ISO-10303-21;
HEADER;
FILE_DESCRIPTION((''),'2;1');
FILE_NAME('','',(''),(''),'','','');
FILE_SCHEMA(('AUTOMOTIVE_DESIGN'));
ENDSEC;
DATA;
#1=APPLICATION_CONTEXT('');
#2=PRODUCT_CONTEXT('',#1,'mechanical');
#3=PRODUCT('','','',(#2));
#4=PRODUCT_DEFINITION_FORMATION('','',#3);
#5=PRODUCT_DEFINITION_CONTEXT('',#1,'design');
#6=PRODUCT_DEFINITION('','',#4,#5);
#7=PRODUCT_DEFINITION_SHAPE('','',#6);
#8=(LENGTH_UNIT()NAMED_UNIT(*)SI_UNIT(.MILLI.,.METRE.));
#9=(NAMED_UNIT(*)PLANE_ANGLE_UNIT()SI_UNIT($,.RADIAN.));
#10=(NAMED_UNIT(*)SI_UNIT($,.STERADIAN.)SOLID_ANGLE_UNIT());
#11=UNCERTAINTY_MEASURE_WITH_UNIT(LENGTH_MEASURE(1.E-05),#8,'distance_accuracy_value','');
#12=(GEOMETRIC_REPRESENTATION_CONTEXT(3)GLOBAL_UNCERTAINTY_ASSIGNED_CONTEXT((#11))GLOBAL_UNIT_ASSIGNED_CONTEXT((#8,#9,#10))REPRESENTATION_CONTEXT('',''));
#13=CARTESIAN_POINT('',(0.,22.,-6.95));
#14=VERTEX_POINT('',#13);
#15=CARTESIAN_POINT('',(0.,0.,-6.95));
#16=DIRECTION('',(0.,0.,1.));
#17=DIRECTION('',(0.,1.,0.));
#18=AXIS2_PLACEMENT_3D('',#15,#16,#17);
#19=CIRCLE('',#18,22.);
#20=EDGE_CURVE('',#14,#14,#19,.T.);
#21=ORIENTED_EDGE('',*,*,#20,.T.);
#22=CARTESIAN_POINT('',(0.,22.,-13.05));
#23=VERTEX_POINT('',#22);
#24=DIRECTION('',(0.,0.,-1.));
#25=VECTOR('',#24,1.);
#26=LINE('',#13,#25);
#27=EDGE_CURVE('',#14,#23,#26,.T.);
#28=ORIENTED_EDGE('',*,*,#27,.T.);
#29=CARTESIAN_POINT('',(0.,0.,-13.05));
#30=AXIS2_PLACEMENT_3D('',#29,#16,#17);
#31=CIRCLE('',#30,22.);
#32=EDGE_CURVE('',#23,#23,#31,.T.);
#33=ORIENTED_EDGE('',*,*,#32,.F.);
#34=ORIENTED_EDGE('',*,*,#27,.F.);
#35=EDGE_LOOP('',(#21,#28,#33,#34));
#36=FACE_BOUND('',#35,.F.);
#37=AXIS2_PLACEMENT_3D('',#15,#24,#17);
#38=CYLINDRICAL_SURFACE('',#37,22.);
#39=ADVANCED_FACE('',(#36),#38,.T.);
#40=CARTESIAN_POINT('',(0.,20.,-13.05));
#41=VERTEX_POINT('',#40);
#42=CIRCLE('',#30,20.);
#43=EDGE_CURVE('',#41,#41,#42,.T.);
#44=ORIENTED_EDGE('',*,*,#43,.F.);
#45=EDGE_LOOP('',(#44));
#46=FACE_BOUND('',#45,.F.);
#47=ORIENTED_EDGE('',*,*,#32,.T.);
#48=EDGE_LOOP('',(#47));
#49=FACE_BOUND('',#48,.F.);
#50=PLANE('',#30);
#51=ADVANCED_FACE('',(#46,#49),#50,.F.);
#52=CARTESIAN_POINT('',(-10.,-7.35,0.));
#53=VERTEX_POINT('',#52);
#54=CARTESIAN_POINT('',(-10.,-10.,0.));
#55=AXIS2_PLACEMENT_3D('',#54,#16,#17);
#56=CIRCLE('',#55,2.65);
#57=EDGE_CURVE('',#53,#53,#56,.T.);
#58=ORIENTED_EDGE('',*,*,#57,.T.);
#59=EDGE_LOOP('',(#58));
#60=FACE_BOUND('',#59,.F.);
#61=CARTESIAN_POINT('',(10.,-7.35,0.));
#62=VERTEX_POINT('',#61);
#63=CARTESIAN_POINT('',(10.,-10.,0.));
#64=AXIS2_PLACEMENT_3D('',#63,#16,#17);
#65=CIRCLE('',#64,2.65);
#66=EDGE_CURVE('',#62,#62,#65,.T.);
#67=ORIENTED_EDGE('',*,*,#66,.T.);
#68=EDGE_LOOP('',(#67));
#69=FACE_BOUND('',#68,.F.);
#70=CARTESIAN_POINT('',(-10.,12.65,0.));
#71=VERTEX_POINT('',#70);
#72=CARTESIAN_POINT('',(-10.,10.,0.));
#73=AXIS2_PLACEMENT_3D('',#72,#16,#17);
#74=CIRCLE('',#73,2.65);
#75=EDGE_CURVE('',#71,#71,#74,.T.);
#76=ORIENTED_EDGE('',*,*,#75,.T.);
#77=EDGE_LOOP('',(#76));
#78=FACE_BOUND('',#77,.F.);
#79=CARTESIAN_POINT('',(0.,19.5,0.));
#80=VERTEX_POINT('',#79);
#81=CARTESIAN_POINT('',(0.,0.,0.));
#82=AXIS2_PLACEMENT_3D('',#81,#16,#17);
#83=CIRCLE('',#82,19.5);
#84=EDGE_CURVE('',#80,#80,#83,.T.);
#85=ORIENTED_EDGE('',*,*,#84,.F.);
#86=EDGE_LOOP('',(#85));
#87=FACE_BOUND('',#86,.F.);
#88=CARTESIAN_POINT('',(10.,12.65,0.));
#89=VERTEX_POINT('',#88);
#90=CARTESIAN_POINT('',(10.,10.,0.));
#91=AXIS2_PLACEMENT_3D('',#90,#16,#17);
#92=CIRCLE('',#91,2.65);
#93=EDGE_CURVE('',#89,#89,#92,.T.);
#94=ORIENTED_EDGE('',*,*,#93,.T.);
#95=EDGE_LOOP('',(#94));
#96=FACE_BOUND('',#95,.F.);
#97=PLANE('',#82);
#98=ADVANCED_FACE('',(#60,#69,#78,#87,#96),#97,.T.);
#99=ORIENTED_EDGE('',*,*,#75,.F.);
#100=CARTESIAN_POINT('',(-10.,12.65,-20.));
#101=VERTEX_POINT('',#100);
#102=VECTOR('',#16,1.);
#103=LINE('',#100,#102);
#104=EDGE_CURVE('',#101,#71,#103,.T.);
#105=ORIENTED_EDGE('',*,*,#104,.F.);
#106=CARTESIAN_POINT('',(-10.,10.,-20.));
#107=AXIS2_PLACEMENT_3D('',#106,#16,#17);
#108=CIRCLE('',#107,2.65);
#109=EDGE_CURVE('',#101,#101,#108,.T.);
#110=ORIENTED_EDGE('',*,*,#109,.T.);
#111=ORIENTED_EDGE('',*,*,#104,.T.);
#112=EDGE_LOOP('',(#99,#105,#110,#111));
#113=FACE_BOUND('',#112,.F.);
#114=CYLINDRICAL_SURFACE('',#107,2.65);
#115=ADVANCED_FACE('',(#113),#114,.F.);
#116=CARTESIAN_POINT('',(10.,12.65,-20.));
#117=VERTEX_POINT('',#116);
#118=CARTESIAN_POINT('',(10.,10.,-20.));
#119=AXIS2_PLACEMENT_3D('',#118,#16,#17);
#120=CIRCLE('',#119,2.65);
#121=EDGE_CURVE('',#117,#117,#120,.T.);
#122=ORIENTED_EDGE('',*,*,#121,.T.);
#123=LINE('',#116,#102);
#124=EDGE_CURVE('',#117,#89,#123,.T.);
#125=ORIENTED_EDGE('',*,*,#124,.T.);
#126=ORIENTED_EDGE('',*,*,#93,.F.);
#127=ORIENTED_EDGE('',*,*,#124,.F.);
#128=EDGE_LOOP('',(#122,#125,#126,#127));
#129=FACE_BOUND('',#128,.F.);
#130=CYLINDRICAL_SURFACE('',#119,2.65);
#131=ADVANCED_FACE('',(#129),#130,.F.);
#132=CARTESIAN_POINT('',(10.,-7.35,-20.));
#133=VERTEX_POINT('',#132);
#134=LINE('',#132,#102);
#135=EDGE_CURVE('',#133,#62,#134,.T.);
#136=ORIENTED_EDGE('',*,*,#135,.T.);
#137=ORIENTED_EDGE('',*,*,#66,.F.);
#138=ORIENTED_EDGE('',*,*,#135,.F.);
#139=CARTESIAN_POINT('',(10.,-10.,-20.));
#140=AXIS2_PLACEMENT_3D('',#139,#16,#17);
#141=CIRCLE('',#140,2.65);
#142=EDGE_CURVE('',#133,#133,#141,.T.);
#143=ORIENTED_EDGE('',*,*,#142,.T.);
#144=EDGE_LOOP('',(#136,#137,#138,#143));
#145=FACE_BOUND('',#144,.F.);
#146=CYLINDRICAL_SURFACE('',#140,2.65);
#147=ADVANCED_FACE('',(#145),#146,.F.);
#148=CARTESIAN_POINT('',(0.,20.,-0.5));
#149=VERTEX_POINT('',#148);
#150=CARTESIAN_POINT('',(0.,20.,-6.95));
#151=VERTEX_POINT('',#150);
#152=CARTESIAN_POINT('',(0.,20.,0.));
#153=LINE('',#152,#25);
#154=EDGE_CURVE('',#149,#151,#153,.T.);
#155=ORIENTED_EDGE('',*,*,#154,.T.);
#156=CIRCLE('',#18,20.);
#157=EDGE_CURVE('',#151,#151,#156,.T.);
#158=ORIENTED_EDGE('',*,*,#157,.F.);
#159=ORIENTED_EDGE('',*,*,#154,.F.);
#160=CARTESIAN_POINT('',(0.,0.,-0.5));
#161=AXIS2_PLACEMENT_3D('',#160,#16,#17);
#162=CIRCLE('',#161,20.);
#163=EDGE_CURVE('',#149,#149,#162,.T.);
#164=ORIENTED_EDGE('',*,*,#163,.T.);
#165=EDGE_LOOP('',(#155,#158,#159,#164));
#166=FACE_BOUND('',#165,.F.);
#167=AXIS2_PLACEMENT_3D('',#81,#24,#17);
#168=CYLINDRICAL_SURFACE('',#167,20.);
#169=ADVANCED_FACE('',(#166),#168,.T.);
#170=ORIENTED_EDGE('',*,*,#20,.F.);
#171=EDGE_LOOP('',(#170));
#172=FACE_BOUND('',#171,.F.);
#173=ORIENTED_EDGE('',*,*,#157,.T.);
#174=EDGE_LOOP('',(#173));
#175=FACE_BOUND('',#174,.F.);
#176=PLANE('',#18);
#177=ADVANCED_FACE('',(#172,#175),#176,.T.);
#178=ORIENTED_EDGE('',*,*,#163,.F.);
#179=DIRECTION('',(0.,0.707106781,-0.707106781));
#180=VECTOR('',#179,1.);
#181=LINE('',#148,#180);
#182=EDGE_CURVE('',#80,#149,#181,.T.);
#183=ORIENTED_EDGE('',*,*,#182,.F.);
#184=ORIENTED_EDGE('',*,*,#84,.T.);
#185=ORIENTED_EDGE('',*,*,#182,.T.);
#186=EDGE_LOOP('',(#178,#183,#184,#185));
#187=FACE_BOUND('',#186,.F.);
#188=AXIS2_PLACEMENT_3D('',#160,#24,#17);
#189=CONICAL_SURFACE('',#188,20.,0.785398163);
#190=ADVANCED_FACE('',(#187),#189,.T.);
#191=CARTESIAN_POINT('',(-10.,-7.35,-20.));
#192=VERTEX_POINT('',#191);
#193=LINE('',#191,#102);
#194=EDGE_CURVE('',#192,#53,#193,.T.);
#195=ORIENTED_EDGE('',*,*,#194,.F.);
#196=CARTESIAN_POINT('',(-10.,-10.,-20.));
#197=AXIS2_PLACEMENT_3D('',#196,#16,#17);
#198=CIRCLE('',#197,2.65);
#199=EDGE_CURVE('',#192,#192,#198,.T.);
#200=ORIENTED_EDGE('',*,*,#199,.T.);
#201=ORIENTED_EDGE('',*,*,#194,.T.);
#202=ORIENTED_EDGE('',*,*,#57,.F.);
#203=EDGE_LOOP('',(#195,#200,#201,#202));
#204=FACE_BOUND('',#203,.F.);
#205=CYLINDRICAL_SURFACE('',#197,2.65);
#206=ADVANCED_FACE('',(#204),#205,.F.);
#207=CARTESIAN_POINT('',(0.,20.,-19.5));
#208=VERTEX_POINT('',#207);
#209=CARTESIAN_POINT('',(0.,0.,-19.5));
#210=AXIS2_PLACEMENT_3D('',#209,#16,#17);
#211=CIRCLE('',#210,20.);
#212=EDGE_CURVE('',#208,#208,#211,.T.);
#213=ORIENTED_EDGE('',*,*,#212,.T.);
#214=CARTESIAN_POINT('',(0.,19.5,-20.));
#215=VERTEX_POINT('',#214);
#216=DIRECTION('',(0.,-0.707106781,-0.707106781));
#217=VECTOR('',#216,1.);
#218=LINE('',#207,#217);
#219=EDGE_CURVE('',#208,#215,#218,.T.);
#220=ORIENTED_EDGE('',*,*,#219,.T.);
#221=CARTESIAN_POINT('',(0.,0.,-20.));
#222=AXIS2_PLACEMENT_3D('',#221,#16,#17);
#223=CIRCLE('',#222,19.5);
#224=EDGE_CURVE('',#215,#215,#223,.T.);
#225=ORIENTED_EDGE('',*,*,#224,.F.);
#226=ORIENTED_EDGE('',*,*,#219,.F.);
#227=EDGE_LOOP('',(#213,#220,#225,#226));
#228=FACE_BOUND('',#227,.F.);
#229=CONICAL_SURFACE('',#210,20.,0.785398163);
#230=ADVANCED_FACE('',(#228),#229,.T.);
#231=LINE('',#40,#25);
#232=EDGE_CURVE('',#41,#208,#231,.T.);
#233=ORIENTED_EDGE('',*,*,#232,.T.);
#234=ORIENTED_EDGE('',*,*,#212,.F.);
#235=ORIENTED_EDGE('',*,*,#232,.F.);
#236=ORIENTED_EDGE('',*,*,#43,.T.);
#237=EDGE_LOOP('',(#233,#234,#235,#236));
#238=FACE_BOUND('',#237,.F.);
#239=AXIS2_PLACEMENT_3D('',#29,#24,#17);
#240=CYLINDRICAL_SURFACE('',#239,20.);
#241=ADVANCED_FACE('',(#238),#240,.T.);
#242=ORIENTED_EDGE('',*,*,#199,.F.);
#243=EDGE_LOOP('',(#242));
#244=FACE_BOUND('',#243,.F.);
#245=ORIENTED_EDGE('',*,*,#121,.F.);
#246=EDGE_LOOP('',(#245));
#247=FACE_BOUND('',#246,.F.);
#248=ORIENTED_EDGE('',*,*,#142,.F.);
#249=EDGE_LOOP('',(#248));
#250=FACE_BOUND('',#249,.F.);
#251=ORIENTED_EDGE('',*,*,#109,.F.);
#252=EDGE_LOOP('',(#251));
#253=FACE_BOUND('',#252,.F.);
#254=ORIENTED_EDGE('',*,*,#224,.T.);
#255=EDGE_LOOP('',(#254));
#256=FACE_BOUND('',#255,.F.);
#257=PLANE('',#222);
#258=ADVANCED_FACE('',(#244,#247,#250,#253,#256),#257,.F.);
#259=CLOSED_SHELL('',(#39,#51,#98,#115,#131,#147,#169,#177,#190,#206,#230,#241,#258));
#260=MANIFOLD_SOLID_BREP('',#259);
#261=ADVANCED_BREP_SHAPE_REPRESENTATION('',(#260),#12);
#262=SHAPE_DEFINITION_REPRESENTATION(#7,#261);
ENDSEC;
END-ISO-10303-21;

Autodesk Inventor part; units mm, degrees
ref_plane "YZ Plane" through (0, 0, 0) normal (1, 0, 0) x (0, 1, 0)
ref_plane "XZ Plane" through (0, 0, 0) normal (0, 1, 0) x (-1, 0, 0)
ref_plane "XY Plane" through (0, 0, 0) normal (0, 0, 1) x (1, 0, 0)
sketch "スケッチ1" plane through (0, 0, 0) normal (1, 0, 0) x (0, 1, 0)
  line L0 (0, 0) -> (20, 0)
  line L1 (20, -20) -> (0, -20)
  line L2 (0, -20) -> (0, 0)
  line L3 (20, 0) -> (20, -6.95)
  line L4 (20, -6.95) -> (22, -6.95)
  line L5 (22, -6.95) -> (22, -13.05)
  line L6 (22, -13.05) -> (20, -13.05)
  line L7 (20, -13.05) -> (20, -20)
  point P0 (12, 0)
  dimension "d0" = 20
  dimension "d34" = 2
  dimension "d35" = 6.95
  dimension "d36" = 20
  dimension "d37" = 6.95
revolve "回転1" add sketch "スケッチ1" angle 360 about axis through (0, 0, -20) along (0, 0, 1)
chamfer "面取り1" distance 0.5 angle 45 2 edges at (0, -20, 0) (0, -20, -20)
sketch "スケッチ4" plane through (0, 0, -20) normal (0, 0, -1) x (-1, 0, 0)
  line L0 (-10, 10) -> (10, 10)
  line L1 (10, 10) -> (10, -10)
  line L2 (10, -10) -> (-10, -10)
  line L3 (-10, -10) -> (-10, 10)
  line L4 (-10, 10) -> (10, -10) construction
  line L5 (10, 10) -> (-10, -10) construction
  point P0 (0, 0)
  dimension "d24" = 20
  dimension "d25" = 20
hole "穴2" at (-10, 10, -20) at (-10, -10, -20) at (10, -10, -20) at (10, 10, -20) direction (0, 0, 1) diameter 5.3 end through all clearance for "Socket Head Cap Screw" size "M5" standard "Ansi Metric M Profile"
ref_plane "作業平面1" through (0, 0, -10) normal (0, 0, 1) x (1, 0, 0)
equation "\"d37\" = d35"
properties part number "scara-base6" material "ABS プラスチック"
